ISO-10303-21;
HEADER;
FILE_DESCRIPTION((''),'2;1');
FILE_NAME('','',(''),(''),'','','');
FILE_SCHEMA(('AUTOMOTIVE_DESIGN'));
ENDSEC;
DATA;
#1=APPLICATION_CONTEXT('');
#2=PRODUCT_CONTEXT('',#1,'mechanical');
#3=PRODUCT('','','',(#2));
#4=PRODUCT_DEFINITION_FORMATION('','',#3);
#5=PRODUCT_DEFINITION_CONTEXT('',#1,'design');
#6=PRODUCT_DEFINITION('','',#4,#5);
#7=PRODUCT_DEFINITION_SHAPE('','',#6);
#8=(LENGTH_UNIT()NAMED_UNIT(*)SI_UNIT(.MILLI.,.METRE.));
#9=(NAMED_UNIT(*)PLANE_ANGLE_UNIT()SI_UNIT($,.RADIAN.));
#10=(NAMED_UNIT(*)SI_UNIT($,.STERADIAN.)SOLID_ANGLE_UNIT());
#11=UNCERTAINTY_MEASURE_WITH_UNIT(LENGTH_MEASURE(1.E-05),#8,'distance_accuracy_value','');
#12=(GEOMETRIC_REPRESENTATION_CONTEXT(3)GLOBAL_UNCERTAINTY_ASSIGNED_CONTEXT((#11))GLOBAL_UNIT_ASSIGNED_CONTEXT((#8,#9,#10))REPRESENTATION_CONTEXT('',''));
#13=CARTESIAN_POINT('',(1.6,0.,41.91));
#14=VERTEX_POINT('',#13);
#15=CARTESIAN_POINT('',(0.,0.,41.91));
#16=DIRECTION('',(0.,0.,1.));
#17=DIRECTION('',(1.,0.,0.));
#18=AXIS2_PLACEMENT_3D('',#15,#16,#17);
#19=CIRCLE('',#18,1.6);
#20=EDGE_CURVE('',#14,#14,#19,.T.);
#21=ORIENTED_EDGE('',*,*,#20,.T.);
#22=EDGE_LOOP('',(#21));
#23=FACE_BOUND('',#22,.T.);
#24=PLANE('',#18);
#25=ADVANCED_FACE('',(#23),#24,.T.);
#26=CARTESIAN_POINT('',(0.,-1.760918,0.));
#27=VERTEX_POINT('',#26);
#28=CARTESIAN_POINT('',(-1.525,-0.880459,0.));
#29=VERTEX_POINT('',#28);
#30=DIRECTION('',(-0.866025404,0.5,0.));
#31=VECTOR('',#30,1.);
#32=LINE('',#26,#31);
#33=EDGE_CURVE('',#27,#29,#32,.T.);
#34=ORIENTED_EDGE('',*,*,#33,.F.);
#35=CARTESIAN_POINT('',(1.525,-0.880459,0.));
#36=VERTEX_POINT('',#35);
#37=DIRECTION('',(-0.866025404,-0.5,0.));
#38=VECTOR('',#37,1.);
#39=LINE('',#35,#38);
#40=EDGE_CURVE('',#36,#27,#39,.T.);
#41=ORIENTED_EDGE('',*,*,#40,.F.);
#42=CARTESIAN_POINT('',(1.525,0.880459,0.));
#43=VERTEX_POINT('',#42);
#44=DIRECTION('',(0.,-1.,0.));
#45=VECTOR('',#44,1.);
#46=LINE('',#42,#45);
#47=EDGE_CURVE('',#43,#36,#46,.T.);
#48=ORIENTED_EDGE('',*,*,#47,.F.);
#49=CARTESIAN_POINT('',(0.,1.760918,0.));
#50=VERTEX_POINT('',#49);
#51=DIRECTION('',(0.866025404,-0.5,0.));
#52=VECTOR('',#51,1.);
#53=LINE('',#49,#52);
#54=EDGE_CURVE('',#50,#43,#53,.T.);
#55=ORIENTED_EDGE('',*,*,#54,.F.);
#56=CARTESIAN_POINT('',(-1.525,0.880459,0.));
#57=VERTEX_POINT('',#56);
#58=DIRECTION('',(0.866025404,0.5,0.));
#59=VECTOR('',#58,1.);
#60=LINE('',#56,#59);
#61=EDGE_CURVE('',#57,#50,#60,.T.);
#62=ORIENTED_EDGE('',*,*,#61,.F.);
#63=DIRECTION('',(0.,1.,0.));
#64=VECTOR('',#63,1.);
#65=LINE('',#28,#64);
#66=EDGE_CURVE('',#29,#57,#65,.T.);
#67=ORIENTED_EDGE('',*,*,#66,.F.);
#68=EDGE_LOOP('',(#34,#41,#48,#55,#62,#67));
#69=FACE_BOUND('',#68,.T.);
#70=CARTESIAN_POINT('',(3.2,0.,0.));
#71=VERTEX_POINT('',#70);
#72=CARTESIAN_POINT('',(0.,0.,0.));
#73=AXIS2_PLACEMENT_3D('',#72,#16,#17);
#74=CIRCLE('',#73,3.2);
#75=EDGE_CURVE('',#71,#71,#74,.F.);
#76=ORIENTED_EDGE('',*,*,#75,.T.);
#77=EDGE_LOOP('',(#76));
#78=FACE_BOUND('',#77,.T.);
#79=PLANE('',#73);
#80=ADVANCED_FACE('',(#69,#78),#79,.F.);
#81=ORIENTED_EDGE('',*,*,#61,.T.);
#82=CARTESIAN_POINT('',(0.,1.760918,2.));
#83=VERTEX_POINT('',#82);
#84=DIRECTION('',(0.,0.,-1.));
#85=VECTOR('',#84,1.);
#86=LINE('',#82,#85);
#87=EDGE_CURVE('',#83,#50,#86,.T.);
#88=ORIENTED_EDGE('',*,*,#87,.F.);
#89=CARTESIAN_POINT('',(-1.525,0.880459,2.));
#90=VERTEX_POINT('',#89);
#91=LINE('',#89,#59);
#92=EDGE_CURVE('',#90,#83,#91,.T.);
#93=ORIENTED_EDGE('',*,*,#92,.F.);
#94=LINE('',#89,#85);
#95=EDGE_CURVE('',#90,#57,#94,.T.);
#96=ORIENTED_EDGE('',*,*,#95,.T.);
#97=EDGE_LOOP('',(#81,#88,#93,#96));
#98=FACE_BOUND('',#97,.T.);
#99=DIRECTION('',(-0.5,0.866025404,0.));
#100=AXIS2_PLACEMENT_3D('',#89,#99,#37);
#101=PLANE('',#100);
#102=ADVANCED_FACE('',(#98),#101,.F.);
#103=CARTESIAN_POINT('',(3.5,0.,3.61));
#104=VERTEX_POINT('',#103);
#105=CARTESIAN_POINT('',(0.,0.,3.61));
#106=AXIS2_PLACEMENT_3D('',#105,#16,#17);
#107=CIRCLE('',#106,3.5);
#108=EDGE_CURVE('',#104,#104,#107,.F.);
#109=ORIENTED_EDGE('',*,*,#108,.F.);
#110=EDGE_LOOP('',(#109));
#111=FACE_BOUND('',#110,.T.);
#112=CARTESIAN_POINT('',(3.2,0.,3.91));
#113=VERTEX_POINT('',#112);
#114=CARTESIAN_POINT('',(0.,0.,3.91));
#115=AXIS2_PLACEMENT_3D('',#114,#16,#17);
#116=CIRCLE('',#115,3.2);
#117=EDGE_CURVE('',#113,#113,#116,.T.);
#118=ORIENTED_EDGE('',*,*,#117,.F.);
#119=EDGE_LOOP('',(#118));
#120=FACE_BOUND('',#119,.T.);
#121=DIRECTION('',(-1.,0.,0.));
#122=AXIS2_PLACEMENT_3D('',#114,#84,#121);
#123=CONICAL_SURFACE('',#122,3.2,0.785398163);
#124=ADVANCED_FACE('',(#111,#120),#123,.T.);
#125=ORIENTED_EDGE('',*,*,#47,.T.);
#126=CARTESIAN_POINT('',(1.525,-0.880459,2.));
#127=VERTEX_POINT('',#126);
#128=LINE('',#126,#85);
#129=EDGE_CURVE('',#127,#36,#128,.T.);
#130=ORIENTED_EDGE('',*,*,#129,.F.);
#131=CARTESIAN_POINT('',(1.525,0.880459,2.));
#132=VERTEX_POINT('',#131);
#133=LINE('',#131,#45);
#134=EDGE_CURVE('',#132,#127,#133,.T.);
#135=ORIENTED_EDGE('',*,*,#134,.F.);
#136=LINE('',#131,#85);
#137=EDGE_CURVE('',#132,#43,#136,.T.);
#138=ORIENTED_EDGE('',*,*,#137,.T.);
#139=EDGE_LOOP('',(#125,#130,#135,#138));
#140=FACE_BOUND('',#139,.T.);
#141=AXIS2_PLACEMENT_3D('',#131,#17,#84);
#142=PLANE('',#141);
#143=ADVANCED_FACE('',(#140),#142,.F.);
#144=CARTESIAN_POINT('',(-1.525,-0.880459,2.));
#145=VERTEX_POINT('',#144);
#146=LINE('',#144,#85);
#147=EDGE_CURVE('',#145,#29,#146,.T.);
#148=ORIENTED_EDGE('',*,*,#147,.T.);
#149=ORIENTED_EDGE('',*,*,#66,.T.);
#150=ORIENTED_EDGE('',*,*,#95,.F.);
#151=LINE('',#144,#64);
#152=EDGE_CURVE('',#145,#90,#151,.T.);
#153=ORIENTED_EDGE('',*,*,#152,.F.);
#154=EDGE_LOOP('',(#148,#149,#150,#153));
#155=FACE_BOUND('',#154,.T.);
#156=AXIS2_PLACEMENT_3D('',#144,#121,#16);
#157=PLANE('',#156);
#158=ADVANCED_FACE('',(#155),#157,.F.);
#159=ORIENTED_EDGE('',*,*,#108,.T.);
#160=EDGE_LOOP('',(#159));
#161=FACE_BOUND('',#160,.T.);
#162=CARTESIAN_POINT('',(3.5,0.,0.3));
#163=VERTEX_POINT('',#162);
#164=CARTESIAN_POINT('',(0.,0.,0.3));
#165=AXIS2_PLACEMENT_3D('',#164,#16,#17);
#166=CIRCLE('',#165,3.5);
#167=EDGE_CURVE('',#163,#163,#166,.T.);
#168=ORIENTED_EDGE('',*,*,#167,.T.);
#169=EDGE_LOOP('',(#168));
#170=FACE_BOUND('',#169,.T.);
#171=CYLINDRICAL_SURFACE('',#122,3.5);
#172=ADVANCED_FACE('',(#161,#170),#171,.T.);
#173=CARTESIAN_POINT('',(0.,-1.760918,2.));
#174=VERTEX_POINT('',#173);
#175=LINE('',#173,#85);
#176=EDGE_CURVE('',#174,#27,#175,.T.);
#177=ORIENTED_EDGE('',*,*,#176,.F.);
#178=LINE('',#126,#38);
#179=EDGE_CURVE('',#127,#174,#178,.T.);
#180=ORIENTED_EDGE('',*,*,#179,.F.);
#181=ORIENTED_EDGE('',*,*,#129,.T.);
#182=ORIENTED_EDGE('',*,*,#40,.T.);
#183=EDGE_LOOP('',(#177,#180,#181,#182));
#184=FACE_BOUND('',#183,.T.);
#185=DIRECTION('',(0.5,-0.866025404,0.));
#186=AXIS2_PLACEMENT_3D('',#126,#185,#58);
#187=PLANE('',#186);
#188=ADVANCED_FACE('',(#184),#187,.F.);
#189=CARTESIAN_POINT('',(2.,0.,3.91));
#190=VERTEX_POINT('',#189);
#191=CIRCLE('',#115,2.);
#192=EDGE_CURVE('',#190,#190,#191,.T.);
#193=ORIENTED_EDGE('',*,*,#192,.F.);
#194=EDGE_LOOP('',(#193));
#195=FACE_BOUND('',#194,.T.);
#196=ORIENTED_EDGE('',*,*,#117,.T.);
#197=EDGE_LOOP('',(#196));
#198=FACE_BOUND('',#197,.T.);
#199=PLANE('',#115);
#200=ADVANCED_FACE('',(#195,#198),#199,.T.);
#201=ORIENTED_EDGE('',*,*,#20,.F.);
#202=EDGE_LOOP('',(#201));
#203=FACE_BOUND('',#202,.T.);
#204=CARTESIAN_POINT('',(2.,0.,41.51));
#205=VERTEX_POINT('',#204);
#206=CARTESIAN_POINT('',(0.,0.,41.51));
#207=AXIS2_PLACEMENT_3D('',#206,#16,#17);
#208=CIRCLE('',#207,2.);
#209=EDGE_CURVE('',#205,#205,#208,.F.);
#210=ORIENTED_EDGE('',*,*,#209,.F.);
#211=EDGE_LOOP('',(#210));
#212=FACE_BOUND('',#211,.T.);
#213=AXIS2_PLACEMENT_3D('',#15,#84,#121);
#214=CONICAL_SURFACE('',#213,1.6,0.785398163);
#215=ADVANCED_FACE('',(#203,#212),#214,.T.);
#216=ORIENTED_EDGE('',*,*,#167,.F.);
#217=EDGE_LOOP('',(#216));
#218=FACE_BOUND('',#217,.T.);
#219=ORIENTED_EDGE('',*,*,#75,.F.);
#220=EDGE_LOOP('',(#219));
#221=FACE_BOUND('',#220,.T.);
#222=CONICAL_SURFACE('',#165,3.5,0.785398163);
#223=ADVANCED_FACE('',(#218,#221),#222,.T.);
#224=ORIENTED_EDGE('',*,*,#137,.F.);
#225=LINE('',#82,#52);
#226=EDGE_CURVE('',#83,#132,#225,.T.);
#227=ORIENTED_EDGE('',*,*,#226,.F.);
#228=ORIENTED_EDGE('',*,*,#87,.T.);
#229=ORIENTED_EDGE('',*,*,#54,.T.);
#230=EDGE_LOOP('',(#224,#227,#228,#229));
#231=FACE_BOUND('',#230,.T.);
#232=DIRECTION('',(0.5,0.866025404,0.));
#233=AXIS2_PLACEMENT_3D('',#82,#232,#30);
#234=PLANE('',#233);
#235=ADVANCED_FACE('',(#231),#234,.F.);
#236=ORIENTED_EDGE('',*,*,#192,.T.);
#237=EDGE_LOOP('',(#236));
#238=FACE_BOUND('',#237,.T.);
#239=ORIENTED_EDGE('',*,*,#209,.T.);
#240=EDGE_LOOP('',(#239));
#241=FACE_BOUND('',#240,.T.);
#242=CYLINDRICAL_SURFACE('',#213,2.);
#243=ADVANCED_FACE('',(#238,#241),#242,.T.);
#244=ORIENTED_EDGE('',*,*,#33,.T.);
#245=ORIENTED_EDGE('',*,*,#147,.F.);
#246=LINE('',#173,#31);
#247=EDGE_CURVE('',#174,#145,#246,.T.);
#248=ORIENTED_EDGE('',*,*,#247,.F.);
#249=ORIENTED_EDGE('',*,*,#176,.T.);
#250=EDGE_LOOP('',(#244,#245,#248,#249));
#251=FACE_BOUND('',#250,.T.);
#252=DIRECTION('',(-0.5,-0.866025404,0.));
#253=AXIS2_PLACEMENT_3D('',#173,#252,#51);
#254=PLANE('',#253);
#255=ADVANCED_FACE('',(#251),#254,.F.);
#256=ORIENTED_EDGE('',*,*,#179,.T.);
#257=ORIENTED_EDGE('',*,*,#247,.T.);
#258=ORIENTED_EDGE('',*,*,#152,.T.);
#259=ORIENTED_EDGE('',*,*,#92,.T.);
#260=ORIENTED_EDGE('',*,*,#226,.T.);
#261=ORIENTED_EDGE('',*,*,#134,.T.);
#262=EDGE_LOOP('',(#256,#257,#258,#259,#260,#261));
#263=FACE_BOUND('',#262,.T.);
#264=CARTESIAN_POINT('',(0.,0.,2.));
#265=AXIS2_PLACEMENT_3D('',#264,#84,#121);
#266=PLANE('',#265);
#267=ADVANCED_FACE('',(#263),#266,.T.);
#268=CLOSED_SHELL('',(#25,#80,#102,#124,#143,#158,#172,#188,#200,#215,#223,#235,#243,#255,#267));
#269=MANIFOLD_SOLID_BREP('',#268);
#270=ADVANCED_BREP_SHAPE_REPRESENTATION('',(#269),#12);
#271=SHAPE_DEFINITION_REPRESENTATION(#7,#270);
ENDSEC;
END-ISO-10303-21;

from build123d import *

# Parameters (mm, degrees)
SKETCH_1_R          = 3.5
EXTRUDE_1_DEPTH     = 3.91
SKETCH_2_R          = 2
EXTRUDE_2_DEPTH     = 38
CUT_EXTRUDE_1_DEPTH = 2
CHAMFER_1_SIZE      = 0.4
CHAMFER_2_SIZE      = 0.3


with BuildPart() as part:
    # 草图1 → 凸台-拉伸1 (new body)
    with BuildSketch(Plane.XY):
        Circle(SKETCH_1_R)
    extrude(amount=EXTRUDE_1_DEPTH)

    # 草图2 → 凸台-拉伸2 (add)
    with BuildSketch(Plane.XY.offset(3.91)):
        Circle(SKETCH_2_R)
    extrude(amount=EXTRUDE_2_DEPTH)

    # 草图3 → 切除-拉伸1 (cut)
    with BuildSketch(Plane(origin=(0, 0, 0), x_dir=(-1, 0, 0), z_dir=(0, 0, -1))):
        Polygon((0, 1.760918321), (-1.525, 0.880459161), (-1.525, -0.880459161), (0, -1.760918321), (1.525, -0.880459161), (1.525, 0.880459161), align=None)
    extrude(amount=-CUT_EXTRUDE_1_DEPTH, mode=Mode.SUBTRACT)

    # 倒角1
    chamfer_1_edges = [part.edges().sort_by_distance(p)[0] for p in [
        (-2, 0, 41.91),
    ]]
    chamfer(chamfer_1_edges, length=CHAMFER_1_SIZE)

    # 倒角2
    chamfer_2_edges = [part.edges().sort_by_distance(p)[0] for p in [
        (-3.5, 0, 0),
        (-3.5, 0, 3.91),
    ]]
    chamfer(chamfer_2_edges, length=CHAMFER_2_SIZE)


solid = part.part
